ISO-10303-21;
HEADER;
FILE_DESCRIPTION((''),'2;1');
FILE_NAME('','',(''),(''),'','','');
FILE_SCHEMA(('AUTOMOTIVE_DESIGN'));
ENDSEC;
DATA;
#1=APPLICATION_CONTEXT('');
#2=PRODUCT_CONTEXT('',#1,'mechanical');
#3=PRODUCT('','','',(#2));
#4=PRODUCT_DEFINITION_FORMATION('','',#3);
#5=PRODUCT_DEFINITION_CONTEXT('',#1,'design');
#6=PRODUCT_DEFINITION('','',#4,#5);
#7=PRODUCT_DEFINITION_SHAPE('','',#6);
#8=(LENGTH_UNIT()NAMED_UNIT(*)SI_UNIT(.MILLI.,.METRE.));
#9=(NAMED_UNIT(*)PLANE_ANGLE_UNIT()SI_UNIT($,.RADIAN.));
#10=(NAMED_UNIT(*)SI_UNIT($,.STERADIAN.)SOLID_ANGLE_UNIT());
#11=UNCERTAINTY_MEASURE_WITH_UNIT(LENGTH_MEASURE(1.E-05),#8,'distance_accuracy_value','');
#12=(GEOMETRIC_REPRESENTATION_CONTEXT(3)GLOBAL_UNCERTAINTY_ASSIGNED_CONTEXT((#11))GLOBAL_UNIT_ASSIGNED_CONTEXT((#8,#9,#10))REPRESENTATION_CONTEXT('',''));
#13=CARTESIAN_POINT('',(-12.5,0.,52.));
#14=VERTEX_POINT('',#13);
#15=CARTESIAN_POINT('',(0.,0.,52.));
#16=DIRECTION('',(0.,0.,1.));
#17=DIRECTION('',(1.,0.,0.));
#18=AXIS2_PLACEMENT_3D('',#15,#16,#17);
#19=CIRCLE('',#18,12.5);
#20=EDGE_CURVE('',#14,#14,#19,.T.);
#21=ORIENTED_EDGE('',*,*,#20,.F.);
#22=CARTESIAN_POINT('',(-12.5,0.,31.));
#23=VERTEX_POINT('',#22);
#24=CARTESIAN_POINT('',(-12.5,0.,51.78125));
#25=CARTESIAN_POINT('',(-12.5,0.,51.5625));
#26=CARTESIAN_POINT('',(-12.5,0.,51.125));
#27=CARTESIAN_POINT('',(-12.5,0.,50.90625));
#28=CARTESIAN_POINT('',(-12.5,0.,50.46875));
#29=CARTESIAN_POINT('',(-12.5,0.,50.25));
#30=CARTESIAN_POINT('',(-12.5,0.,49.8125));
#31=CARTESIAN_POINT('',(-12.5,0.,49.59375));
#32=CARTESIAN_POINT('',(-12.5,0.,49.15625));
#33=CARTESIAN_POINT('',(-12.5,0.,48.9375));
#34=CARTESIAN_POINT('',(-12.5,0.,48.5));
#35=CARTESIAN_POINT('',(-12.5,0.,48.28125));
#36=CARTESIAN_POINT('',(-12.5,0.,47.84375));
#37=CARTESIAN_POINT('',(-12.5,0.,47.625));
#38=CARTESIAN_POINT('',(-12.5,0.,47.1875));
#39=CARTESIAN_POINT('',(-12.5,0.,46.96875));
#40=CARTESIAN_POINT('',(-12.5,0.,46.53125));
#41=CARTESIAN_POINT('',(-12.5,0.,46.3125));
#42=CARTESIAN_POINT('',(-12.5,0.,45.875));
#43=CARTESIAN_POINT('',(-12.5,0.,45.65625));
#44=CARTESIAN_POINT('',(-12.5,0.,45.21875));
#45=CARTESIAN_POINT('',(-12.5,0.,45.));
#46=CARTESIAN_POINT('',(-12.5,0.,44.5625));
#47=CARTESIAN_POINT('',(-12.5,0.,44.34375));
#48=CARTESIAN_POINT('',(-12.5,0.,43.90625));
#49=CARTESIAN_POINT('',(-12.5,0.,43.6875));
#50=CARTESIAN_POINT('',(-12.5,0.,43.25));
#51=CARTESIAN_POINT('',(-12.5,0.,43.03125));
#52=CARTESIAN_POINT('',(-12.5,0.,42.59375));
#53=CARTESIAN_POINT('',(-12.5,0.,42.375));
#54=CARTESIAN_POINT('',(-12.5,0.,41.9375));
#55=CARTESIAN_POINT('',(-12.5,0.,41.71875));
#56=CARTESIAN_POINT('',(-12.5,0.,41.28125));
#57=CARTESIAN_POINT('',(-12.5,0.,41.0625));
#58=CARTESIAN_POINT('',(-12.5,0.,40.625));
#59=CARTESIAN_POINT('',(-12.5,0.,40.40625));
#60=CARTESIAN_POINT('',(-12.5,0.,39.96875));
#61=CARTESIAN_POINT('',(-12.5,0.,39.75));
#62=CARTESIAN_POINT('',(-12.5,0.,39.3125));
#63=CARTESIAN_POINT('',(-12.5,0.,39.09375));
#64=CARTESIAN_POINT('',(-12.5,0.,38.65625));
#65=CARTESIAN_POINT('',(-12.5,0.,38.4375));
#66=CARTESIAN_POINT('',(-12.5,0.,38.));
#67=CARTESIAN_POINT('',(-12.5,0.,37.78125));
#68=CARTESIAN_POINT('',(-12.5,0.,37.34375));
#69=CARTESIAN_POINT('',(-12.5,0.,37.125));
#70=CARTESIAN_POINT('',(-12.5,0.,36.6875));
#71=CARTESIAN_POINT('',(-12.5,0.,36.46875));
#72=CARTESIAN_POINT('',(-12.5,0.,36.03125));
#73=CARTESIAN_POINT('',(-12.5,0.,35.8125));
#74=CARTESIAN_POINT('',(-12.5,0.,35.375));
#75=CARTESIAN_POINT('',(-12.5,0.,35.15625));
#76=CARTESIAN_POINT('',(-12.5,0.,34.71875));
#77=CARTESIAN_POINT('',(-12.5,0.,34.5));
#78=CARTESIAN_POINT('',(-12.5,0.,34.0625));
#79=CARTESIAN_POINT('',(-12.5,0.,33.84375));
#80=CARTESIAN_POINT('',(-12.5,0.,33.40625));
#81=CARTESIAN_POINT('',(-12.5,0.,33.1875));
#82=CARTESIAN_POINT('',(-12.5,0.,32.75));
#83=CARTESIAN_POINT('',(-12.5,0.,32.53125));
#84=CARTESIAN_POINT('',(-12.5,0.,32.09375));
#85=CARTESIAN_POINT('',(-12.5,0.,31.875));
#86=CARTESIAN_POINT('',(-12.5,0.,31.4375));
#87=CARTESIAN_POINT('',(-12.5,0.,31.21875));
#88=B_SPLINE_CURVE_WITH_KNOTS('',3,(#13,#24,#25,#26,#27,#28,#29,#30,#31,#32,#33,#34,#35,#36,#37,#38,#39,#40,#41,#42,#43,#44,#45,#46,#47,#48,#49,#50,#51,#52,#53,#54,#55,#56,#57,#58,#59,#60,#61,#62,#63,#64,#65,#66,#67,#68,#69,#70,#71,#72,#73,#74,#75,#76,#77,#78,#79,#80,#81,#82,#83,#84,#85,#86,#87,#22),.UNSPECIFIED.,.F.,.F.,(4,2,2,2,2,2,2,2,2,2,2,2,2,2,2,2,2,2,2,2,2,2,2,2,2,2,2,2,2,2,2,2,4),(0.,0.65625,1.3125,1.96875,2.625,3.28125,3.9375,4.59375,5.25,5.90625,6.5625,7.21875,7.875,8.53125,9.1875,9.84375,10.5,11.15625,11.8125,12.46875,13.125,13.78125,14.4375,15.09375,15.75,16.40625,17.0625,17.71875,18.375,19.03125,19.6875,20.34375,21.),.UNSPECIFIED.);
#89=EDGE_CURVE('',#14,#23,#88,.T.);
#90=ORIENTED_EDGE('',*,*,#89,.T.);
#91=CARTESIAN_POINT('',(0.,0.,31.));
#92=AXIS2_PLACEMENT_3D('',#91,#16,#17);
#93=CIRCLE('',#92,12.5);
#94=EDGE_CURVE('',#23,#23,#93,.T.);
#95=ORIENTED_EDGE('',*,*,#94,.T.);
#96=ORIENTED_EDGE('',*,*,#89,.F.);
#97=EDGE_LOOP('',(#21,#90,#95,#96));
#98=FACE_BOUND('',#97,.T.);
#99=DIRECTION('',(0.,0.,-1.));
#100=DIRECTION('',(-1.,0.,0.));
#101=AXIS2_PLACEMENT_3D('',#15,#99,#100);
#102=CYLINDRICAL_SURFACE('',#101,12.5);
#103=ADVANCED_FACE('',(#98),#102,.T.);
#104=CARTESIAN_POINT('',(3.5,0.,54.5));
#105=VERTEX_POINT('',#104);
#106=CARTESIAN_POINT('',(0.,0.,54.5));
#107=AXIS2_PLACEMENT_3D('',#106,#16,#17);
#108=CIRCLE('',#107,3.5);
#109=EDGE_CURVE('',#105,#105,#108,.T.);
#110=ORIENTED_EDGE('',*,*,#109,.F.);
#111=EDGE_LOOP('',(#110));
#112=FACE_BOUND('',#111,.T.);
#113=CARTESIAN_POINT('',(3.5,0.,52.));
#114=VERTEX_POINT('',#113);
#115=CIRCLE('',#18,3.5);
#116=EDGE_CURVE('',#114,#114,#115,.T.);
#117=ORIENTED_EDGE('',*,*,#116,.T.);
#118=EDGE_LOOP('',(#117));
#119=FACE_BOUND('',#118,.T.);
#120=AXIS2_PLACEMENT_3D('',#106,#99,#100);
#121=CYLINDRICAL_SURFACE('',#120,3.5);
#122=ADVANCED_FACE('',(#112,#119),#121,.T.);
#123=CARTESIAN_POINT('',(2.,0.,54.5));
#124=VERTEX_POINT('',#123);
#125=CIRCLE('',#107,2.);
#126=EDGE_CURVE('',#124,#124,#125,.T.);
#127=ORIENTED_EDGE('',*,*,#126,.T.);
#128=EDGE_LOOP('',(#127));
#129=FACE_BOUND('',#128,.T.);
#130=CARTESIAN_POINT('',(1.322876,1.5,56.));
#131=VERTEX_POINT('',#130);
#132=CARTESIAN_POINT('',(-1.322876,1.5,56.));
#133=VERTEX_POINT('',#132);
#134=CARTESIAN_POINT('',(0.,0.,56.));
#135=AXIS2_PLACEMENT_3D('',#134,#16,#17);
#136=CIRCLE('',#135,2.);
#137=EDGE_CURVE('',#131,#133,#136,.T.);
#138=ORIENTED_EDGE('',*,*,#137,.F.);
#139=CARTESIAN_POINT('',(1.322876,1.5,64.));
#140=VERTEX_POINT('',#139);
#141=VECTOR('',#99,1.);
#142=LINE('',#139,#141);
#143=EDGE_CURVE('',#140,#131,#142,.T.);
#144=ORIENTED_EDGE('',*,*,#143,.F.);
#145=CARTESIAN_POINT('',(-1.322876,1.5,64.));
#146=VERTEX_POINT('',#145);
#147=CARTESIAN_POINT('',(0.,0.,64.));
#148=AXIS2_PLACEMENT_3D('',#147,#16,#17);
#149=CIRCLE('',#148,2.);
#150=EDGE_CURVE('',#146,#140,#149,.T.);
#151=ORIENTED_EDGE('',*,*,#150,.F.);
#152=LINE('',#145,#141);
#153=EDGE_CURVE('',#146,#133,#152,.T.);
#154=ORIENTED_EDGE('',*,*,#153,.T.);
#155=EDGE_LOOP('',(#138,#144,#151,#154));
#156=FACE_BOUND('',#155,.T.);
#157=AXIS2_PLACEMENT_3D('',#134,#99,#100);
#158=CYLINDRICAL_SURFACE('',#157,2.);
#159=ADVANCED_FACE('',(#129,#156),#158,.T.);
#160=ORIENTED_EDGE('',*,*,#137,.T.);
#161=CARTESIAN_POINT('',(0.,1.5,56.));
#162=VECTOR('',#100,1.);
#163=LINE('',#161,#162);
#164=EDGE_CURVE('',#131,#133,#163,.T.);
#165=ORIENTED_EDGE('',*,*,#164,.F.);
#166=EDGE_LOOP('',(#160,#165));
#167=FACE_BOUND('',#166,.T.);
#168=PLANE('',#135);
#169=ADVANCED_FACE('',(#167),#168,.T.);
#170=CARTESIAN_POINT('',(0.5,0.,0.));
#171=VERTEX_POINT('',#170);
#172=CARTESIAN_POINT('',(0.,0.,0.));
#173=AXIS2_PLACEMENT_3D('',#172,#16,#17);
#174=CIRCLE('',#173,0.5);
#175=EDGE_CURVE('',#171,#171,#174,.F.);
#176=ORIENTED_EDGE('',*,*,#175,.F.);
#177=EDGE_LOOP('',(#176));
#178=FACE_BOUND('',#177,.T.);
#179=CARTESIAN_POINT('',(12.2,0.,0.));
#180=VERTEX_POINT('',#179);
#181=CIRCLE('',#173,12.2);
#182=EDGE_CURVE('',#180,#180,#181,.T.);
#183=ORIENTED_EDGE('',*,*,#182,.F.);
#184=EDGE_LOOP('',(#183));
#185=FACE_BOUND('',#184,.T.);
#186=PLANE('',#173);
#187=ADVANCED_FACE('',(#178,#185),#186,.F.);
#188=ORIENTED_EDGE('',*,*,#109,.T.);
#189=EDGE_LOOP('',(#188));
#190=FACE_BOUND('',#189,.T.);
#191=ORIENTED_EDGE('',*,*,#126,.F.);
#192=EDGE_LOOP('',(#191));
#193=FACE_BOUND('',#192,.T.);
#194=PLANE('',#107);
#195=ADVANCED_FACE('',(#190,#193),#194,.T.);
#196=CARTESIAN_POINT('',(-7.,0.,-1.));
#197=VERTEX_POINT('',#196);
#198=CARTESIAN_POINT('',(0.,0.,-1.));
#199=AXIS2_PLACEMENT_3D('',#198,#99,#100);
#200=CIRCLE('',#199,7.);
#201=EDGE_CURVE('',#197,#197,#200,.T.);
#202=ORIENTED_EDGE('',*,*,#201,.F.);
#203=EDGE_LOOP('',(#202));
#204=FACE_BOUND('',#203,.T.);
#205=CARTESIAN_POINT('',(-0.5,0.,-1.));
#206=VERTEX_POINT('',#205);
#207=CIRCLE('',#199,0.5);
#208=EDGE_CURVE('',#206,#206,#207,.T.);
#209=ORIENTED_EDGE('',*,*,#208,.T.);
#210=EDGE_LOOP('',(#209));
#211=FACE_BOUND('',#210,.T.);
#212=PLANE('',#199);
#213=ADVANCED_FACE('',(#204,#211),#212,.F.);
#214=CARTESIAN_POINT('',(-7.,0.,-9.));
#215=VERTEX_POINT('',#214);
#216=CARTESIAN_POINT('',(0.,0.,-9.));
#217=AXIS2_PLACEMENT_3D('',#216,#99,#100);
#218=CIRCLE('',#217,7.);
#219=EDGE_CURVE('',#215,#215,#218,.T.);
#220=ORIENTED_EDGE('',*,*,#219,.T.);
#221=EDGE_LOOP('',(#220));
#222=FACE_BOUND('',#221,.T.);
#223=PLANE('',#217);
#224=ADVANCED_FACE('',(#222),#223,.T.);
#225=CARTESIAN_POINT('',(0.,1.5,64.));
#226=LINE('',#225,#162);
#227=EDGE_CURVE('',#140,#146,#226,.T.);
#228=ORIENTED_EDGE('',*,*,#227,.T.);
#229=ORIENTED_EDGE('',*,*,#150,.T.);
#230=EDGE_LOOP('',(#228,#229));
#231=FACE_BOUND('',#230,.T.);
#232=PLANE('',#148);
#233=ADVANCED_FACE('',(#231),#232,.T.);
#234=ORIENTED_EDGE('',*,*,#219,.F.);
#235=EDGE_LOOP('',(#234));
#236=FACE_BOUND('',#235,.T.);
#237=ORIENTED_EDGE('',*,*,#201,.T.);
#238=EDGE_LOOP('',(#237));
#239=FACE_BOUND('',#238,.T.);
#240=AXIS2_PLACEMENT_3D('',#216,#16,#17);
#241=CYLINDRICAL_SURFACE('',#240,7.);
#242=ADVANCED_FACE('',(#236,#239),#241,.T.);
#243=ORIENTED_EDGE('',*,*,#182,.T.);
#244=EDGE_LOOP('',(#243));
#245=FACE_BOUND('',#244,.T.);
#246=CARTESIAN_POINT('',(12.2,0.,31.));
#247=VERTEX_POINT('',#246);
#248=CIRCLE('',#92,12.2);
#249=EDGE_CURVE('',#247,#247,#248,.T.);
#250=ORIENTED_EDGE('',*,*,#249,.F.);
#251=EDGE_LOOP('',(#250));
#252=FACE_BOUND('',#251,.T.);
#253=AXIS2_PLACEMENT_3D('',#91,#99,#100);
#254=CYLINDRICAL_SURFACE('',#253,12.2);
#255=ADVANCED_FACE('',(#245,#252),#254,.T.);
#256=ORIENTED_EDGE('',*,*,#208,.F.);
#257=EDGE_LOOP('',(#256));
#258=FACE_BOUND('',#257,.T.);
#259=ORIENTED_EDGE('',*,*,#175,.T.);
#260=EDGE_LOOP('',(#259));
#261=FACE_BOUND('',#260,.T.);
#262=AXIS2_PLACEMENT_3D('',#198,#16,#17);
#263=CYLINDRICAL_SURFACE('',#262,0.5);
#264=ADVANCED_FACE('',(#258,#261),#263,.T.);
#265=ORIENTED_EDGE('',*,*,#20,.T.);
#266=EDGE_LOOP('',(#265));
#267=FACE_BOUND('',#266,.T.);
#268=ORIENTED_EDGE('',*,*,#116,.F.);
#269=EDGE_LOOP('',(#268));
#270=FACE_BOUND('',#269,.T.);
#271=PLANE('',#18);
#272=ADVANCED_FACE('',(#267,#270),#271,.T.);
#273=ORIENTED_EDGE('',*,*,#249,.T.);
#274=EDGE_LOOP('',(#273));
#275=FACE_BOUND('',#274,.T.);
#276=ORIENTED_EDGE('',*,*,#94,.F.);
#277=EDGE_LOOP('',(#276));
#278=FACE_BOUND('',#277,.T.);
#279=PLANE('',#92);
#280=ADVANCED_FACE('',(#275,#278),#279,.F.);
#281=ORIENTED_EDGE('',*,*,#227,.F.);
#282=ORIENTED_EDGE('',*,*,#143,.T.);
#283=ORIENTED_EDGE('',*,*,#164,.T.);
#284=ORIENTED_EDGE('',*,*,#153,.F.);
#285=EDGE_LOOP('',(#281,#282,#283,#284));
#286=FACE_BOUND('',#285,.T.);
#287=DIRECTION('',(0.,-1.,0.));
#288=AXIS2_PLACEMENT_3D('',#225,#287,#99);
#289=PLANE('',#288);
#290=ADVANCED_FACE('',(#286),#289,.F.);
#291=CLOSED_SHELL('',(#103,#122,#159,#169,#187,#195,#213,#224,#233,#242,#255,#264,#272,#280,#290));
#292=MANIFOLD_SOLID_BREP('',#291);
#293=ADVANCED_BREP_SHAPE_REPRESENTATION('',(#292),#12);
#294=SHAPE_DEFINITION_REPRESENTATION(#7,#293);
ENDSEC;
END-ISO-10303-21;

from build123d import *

# Parameters (mm, degrees)
SKETCH1_R           = 12.2
BOSS_EXTRUDE1_DEPTH = 31
SKETCH2_R           = 12.5
BOSS_EXTRUDE2_DEPTH = 21
SKETCH3_R           = 3.5
BOSS_EXTRUDE3_DEPTH = 2.5
SKETCH4_R           = 2
BOSS_EXTRUDE5_DEPTH = 1.5
BOSS_EXTRUDE6_DEPTH = 8
SKETCH6_R           = 0.5
BOSS_EXTRUDE7_DEPTH = 1
SKETCH7_R           = 7
BOSS_EXTRUDE8_DEPTH = 8


with BuildPart() as part:
    # Sketch1 → Boss-Extrude1 (new body)
    with BuildSketch(Plane.XY):
        Circle(SKETCH1_R)
    extrude(amount=BOSS_EXTRUDE1_DEPTH)

    # Sketch2 → Boss-Extrude2 (add)
    with BuildSketch(Plane.XY.offset(31)):
        with Locations(Location((0, 0, 0), (0, 0, 180))):
            Circle(SKETCH2_R)
    extrude(amount=BOSS_EXTRUDE2_DEPTH)

    # Sketch3 → Boss-Extrude3 (add)
    with BuildSketch(Plane.XY.offset(52)):
        Circle(SKETCH3_R)
    extrude(amount=BOSS_EXTRUDE3_DEPTH)

    # Sketch4 → Boss-Extrude5 (add)
    with BuildSketch(Plane.XY.offset(54.5)):
        Circle(SKETCH4_R)
    extrude(amount=BOSS_EXTRUDE5_DEPTH)

    # Sketch5 → Boss-Extrude6 (add)
    with BuildSketch(Plane.XY.offset(56)):
        with BuildLine():
            Line((0, 1.5), (1.322875656, 1.5))
            ThreePointArc((1.322875656, 1.5), (0, -2), (-1.322875656, 1.5))
            Line((-1.322875656, 1.5), (0, 1.5))
        make_face()
    extrude(amount=BOSS_EXTRUDE6_DEPTH)

    # Sketch6 → Boss-Extrude7 (add)
    with BuildSketch(Plane(origin=(0, 0, 0), x_dir=(-1, 0, 0), z_dir=(0, 0, -1))):
        with Locations(Location((0, 0, 0), (0, 0, 180))):
            Circle(SKETCH6_R)
    extrude(amount=BOSS_EXTRUDE7_DEPTH)

    # Sketch7 → Boss-Extrude8 (add)
    with BuildSketch(Plane(origin=(0, 0, -1), x_dir=(-1, 0, 0), z_dir=(0, 0, -1))):
        Circle(SKETCH7_R)
    extrude(amount=BOSS_EXTRUDE8_DEPTH)


solid = part.part
